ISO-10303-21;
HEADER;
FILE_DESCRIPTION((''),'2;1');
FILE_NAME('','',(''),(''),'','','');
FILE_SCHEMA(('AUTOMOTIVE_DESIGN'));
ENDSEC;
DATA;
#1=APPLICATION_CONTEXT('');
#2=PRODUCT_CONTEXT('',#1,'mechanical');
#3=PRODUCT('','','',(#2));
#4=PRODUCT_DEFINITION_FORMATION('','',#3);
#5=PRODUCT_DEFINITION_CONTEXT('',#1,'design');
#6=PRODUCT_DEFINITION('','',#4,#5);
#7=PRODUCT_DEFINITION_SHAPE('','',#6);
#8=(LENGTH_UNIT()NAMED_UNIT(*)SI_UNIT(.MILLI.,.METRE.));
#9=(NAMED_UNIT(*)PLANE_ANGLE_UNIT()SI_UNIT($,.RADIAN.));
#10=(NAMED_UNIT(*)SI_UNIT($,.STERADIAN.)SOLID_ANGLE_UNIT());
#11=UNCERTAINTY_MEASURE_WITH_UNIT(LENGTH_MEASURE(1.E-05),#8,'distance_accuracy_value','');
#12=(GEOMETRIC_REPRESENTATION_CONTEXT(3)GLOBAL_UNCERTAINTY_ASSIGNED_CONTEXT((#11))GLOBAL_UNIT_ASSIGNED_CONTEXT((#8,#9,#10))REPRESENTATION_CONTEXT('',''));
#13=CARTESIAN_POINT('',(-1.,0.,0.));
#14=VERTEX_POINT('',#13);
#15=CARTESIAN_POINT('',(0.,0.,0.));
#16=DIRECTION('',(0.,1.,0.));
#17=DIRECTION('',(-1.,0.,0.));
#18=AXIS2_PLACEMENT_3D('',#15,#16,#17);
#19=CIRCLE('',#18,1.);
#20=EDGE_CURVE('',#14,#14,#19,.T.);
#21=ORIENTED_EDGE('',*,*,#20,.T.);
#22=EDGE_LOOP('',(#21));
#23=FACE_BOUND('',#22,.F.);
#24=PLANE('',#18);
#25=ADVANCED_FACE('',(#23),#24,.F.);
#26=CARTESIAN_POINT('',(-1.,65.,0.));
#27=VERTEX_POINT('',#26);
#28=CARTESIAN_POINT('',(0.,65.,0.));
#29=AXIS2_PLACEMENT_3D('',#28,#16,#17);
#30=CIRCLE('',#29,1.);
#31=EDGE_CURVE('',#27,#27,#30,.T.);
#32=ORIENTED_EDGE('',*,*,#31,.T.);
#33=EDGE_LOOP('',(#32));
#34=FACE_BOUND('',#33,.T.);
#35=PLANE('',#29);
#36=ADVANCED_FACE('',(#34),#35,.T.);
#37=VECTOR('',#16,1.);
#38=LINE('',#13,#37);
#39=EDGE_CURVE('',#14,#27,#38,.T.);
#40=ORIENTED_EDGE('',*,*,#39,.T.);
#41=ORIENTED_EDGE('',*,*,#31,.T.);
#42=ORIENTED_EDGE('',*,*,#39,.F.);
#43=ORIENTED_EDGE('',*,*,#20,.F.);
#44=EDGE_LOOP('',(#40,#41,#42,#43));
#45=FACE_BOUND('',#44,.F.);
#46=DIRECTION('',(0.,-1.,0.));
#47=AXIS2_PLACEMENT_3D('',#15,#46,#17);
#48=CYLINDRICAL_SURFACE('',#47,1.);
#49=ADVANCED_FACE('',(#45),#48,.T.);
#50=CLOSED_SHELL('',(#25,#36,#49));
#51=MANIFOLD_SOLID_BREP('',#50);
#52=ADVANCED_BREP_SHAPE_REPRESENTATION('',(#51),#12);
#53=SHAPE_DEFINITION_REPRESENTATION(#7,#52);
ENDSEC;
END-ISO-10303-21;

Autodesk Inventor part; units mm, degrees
ref_plane "YZ Plane" through (0, 0, 0) normal (1, 0, 0) x (0, 1, 0)
ref_plane "XZ Plane" through (0, 0, 0) normal (0, 1, 0) x (-1, 0, 0)
ref_plane "XY Plane" through (0, 0, 0) normal (0, 0, 1) x (1, 0, 0)
sketch "Sketch1" plane through (0, 0, 0) normal (0, 1, 0) x (-1, 0, 0)
  circle A0 centre (0, 0) radius 1
  dimension "d0" = 2
extrude "Extrusion1" add sketch "Sketch1" along normal blind 65
equation "\"BendRadius\" = Thickness"
equation "\"BendReliefWidth\" = Thickness"
equation "\"BendReliefDepth\" = 0.5 * Thickness"
equation "\"CornerReliefSize\" = 4 * Thickness"
equation "\"MinimumRemnant\" = 2 * Thickness"
equation "\"TransitionRadius\" = BendRadius"
equation "\"JacobiRadiusSize\" = BendRadius"
equation "\"GapSize\" = Thickness"
equation "\"Thickness\" = 0.5"
